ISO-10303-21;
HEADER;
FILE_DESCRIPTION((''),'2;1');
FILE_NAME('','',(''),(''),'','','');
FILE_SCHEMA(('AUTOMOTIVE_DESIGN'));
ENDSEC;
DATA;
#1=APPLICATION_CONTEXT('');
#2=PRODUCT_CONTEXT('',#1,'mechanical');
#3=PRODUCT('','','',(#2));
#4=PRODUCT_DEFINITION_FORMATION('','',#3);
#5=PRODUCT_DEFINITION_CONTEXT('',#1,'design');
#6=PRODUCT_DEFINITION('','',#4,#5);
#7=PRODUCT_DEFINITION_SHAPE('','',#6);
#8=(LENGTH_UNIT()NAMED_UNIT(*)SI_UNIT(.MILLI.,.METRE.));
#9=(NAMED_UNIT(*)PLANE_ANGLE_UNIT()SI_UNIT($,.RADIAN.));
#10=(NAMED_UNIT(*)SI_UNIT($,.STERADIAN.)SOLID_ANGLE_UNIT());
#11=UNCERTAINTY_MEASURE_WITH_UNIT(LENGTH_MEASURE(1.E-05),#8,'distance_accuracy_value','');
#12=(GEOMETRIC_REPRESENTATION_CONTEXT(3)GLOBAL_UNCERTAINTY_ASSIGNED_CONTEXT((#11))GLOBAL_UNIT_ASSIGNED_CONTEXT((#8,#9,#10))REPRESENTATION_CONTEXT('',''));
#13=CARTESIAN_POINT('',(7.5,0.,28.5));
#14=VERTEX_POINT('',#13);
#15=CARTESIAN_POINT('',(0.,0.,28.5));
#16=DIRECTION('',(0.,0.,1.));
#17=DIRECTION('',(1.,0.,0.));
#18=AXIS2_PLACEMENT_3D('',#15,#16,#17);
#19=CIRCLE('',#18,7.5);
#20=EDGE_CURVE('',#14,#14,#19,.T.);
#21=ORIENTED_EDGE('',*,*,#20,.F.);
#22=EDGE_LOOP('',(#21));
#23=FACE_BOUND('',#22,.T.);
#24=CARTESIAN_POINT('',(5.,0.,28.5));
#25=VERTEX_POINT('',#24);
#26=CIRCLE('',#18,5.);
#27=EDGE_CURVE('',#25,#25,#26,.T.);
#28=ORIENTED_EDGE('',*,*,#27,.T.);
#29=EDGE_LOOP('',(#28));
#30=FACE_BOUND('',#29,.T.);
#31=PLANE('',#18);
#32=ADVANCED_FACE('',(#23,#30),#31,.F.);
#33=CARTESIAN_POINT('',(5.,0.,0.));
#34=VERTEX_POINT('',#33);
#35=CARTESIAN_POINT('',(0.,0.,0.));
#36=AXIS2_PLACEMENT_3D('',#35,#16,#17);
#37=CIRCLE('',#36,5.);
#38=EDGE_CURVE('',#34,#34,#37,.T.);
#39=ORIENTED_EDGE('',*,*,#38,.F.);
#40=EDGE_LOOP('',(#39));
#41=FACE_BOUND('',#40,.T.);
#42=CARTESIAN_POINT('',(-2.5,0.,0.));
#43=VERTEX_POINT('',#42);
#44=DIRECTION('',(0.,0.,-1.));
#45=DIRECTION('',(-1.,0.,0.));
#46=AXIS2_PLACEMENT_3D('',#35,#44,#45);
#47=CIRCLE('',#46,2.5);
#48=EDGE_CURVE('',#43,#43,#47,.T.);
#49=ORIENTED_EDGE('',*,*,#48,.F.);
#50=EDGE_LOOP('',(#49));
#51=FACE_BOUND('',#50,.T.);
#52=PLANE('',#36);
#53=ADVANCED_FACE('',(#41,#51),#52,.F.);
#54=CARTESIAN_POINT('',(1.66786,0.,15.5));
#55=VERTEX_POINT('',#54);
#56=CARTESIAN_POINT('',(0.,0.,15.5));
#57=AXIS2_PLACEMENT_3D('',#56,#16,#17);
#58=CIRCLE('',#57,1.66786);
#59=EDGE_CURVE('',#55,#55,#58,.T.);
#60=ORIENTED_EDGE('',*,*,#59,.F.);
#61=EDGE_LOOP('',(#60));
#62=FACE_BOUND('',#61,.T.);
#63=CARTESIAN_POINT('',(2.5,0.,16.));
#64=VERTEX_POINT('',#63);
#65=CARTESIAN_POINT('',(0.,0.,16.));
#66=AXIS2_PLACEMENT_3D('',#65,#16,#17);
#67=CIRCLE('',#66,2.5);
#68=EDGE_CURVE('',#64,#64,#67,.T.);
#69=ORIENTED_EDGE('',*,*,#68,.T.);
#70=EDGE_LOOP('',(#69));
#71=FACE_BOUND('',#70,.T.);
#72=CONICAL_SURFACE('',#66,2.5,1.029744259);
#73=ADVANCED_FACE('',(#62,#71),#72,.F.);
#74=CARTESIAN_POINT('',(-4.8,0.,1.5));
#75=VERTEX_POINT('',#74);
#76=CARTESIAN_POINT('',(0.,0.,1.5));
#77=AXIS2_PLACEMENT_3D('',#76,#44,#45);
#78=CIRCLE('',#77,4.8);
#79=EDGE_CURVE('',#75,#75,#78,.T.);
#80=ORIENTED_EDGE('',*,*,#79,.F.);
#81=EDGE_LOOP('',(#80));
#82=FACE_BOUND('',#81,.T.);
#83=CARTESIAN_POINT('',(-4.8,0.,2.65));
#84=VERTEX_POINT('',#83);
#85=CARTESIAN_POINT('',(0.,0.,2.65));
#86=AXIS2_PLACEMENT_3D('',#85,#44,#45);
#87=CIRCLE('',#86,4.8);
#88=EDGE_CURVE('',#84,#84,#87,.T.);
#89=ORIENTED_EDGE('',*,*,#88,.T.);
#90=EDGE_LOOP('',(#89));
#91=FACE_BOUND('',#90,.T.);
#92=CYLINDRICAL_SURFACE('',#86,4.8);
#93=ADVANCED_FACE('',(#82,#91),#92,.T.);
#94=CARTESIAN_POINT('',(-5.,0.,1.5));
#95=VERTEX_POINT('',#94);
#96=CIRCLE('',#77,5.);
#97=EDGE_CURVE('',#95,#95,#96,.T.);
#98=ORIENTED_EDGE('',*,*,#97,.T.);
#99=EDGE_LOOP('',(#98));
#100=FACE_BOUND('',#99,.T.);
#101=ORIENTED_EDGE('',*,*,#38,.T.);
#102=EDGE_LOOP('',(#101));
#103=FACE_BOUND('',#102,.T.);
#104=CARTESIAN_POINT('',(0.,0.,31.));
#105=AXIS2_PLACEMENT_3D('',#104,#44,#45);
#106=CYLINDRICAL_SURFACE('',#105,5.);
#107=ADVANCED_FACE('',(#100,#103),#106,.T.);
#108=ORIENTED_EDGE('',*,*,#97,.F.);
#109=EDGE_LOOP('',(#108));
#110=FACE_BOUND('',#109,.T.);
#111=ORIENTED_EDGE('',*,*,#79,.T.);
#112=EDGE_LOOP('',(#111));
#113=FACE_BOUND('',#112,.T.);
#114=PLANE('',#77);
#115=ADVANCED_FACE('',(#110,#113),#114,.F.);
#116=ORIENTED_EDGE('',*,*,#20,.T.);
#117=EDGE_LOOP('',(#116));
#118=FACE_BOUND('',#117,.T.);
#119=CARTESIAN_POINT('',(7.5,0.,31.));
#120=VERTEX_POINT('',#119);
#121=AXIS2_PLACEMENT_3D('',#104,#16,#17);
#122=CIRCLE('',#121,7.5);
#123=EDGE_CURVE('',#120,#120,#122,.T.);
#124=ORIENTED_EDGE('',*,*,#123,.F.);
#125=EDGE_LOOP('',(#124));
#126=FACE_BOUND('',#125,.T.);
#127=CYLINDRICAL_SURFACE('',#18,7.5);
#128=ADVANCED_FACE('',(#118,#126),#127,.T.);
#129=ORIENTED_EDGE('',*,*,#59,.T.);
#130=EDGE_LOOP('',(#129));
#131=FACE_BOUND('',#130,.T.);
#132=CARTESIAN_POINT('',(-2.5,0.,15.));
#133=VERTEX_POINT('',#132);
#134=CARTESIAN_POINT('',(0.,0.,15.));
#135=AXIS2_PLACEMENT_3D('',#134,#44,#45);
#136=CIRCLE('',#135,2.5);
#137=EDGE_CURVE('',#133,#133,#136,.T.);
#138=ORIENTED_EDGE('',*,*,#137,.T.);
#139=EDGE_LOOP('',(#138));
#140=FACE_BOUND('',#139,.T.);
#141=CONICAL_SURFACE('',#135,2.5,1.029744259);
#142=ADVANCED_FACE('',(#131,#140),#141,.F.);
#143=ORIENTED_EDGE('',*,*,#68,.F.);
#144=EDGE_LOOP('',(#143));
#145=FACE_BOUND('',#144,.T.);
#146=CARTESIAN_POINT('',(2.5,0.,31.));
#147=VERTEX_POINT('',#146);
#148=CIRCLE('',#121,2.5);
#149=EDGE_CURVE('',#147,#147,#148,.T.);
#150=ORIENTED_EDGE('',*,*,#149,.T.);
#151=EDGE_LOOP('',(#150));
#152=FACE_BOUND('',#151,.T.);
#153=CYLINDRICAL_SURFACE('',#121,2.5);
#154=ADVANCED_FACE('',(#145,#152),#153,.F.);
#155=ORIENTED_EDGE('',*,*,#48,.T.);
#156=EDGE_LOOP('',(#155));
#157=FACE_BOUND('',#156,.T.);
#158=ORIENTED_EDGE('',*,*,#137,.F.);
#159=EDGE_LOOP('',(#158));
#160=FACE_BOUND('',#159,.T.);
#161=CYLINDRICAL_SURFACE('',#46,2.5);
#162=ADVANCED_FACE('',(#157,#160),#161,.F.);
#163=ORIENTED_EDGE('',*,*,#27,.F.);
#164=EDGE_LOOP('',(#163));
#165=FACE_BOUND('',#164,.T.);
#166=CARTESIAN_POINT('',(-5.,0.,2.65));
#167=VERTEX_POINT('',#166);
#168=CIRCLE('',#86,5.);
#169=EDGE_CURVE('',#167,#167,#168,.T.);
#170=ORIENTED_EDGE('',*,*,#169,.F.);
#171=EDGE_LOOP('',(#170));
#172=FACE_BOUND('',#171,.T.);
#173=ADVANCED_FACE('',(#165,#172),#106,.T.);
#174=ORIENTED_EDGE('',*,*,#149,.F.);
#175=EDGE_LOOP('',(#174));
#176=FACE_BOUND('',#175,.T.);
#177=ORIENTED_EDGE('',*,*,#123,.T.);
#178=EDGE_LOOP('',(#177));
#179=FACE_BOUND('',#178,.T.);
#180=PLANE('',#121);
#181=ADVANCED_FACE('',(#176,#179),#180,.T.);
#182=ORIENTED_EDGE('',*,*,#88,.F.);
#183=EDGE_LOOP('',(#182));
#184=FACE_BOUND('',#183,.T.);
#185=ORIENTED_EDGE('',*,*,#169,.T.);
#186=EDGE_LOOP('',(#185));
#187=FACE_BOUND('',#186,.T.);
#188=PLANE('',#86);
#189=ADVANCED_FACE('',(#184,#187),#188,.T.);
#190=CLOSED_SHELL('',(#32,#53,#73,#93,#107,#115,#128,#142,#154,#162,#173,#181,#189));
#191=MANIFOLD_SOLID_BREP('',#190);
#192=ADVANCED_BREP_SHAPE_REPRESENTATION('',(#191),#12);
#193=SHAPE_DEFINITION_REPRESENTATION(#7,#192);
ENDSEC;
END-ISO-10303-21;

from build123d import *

# Parameters (mm, degrees)
SKIZZE1_R                       = 5
AUFSATZ_LINEAR_AUSTRAGEN1_DEPTH = 31
M6_GEWINDEBOHRUNG1_D            = 5
M6_GEWINDEBOHRUNG1_DEPTH        = 15
M6_GEWINDEBOHRUNG1_TIP          = 1.502151548
M6_GEWINDEBOHRUNG2_D            = 5
M6_GEWINDEBOHRUNG2_DEPTH        = 15
M6_GEWINDEBOHRUNG2_TIP          = 1.502151548
AUFSATZ_LINEAR_START            = -2.5
SKIZZE8_R                       = 7.5
SKIZZE8_R_2                     = 5
AUFSATZ_LINEAR_AUSTRAGEN3_DEPTH = 2.5
SKIZZE9_R                       = 5.404643903
SKIZZE9_R_2                     = 4.8
SCHNITT_LINEAR_AUSTRAGEN1_DEPTH = 1.15


with BuildPart() as part:
    # Skizze1 → Aufsatz-Linear austragen1 (new body)
    with BuildSketch(Plane.XY):
        Circle(SKIZZE1_R)
    extrude(amount=AUFSATZ_LINEAR_AUSTRAGEN1_DEPTH)

    # M6 Gewindebohrung1
    with Locations(Plane(origin=(0, 0, 0), x_dir=(-1, 0, 0), z_dir=(0, 0, -1))):
        with Locations((0, 0)):
            Hole(M6_GEWINDEBOHRUNG1_D / 2, depth=M6_GEWINDEBOHRUNG1_DEPTH)
            with Locations((0, 0, -(M6_GEWINDEBOHRUNG1_DEPTH + M6_GEWINDEBOHRUNG1_TIP / 2))):  # 118° drill point
                Cone(0, M6_GEWINDEBOHRUNG1_D / 2, M6_GEWINDEBOHRUNG1_TIP, mode=Mode.SUBTRACT)

    # M6 Gewindebohrung2
    with Locations(Plane.XY.offset(31)):
        with Locations((0, 0)):
            Hole(M6_GEWINDEBOHRUNG2_D / 2, depth=M6_GEWINDEBOHRUNG2_DEPTH)
            with Locations((0, 0, -(M6_GEWINDEBOHRUNG2_DEPTH + M6_GEWINDEBOHRUNG2_TIP / 2))):  # 118° drill point
                Cone(0, M6_GEWINDEBOHRUNG2_D / 2, M6_GEWINDEBOHRUNG2_TIP, mode=Mode.SUBTRACT)

    # Skizze8 → Aufsatz-Linear austragen3 (add)
    with BuildSketch(Plane.XY.offset(31).offset(AUFSATZ_LINEAR_START)):
        Circle(SKIZZE8_R)
        Circle(SKIZZE8_R_2, mode=Mode.SUBTRACT)
    extrude(amount=AUFSATZ_LINEAR_AUSTRAGEN3_DEPTH)

    # Skizze9 → Schnitt-Linear austragen1 (cut)
    with BuildSketch(Plane(origin=(0, 0, 1.5), x_dir=(-1, 0, 0), z_dir=(0, 0, -1))):
        Circle(SKIZZE9_R)
        Circle(SKIZZE9_R_2, mode=Mode.SUBTRACT)
    extrude(amount=-SCHNITT_LINEAR_AUSTRAGEN1_DEPTH, mode=Mode.SUBTRACT)


solid = part.part
